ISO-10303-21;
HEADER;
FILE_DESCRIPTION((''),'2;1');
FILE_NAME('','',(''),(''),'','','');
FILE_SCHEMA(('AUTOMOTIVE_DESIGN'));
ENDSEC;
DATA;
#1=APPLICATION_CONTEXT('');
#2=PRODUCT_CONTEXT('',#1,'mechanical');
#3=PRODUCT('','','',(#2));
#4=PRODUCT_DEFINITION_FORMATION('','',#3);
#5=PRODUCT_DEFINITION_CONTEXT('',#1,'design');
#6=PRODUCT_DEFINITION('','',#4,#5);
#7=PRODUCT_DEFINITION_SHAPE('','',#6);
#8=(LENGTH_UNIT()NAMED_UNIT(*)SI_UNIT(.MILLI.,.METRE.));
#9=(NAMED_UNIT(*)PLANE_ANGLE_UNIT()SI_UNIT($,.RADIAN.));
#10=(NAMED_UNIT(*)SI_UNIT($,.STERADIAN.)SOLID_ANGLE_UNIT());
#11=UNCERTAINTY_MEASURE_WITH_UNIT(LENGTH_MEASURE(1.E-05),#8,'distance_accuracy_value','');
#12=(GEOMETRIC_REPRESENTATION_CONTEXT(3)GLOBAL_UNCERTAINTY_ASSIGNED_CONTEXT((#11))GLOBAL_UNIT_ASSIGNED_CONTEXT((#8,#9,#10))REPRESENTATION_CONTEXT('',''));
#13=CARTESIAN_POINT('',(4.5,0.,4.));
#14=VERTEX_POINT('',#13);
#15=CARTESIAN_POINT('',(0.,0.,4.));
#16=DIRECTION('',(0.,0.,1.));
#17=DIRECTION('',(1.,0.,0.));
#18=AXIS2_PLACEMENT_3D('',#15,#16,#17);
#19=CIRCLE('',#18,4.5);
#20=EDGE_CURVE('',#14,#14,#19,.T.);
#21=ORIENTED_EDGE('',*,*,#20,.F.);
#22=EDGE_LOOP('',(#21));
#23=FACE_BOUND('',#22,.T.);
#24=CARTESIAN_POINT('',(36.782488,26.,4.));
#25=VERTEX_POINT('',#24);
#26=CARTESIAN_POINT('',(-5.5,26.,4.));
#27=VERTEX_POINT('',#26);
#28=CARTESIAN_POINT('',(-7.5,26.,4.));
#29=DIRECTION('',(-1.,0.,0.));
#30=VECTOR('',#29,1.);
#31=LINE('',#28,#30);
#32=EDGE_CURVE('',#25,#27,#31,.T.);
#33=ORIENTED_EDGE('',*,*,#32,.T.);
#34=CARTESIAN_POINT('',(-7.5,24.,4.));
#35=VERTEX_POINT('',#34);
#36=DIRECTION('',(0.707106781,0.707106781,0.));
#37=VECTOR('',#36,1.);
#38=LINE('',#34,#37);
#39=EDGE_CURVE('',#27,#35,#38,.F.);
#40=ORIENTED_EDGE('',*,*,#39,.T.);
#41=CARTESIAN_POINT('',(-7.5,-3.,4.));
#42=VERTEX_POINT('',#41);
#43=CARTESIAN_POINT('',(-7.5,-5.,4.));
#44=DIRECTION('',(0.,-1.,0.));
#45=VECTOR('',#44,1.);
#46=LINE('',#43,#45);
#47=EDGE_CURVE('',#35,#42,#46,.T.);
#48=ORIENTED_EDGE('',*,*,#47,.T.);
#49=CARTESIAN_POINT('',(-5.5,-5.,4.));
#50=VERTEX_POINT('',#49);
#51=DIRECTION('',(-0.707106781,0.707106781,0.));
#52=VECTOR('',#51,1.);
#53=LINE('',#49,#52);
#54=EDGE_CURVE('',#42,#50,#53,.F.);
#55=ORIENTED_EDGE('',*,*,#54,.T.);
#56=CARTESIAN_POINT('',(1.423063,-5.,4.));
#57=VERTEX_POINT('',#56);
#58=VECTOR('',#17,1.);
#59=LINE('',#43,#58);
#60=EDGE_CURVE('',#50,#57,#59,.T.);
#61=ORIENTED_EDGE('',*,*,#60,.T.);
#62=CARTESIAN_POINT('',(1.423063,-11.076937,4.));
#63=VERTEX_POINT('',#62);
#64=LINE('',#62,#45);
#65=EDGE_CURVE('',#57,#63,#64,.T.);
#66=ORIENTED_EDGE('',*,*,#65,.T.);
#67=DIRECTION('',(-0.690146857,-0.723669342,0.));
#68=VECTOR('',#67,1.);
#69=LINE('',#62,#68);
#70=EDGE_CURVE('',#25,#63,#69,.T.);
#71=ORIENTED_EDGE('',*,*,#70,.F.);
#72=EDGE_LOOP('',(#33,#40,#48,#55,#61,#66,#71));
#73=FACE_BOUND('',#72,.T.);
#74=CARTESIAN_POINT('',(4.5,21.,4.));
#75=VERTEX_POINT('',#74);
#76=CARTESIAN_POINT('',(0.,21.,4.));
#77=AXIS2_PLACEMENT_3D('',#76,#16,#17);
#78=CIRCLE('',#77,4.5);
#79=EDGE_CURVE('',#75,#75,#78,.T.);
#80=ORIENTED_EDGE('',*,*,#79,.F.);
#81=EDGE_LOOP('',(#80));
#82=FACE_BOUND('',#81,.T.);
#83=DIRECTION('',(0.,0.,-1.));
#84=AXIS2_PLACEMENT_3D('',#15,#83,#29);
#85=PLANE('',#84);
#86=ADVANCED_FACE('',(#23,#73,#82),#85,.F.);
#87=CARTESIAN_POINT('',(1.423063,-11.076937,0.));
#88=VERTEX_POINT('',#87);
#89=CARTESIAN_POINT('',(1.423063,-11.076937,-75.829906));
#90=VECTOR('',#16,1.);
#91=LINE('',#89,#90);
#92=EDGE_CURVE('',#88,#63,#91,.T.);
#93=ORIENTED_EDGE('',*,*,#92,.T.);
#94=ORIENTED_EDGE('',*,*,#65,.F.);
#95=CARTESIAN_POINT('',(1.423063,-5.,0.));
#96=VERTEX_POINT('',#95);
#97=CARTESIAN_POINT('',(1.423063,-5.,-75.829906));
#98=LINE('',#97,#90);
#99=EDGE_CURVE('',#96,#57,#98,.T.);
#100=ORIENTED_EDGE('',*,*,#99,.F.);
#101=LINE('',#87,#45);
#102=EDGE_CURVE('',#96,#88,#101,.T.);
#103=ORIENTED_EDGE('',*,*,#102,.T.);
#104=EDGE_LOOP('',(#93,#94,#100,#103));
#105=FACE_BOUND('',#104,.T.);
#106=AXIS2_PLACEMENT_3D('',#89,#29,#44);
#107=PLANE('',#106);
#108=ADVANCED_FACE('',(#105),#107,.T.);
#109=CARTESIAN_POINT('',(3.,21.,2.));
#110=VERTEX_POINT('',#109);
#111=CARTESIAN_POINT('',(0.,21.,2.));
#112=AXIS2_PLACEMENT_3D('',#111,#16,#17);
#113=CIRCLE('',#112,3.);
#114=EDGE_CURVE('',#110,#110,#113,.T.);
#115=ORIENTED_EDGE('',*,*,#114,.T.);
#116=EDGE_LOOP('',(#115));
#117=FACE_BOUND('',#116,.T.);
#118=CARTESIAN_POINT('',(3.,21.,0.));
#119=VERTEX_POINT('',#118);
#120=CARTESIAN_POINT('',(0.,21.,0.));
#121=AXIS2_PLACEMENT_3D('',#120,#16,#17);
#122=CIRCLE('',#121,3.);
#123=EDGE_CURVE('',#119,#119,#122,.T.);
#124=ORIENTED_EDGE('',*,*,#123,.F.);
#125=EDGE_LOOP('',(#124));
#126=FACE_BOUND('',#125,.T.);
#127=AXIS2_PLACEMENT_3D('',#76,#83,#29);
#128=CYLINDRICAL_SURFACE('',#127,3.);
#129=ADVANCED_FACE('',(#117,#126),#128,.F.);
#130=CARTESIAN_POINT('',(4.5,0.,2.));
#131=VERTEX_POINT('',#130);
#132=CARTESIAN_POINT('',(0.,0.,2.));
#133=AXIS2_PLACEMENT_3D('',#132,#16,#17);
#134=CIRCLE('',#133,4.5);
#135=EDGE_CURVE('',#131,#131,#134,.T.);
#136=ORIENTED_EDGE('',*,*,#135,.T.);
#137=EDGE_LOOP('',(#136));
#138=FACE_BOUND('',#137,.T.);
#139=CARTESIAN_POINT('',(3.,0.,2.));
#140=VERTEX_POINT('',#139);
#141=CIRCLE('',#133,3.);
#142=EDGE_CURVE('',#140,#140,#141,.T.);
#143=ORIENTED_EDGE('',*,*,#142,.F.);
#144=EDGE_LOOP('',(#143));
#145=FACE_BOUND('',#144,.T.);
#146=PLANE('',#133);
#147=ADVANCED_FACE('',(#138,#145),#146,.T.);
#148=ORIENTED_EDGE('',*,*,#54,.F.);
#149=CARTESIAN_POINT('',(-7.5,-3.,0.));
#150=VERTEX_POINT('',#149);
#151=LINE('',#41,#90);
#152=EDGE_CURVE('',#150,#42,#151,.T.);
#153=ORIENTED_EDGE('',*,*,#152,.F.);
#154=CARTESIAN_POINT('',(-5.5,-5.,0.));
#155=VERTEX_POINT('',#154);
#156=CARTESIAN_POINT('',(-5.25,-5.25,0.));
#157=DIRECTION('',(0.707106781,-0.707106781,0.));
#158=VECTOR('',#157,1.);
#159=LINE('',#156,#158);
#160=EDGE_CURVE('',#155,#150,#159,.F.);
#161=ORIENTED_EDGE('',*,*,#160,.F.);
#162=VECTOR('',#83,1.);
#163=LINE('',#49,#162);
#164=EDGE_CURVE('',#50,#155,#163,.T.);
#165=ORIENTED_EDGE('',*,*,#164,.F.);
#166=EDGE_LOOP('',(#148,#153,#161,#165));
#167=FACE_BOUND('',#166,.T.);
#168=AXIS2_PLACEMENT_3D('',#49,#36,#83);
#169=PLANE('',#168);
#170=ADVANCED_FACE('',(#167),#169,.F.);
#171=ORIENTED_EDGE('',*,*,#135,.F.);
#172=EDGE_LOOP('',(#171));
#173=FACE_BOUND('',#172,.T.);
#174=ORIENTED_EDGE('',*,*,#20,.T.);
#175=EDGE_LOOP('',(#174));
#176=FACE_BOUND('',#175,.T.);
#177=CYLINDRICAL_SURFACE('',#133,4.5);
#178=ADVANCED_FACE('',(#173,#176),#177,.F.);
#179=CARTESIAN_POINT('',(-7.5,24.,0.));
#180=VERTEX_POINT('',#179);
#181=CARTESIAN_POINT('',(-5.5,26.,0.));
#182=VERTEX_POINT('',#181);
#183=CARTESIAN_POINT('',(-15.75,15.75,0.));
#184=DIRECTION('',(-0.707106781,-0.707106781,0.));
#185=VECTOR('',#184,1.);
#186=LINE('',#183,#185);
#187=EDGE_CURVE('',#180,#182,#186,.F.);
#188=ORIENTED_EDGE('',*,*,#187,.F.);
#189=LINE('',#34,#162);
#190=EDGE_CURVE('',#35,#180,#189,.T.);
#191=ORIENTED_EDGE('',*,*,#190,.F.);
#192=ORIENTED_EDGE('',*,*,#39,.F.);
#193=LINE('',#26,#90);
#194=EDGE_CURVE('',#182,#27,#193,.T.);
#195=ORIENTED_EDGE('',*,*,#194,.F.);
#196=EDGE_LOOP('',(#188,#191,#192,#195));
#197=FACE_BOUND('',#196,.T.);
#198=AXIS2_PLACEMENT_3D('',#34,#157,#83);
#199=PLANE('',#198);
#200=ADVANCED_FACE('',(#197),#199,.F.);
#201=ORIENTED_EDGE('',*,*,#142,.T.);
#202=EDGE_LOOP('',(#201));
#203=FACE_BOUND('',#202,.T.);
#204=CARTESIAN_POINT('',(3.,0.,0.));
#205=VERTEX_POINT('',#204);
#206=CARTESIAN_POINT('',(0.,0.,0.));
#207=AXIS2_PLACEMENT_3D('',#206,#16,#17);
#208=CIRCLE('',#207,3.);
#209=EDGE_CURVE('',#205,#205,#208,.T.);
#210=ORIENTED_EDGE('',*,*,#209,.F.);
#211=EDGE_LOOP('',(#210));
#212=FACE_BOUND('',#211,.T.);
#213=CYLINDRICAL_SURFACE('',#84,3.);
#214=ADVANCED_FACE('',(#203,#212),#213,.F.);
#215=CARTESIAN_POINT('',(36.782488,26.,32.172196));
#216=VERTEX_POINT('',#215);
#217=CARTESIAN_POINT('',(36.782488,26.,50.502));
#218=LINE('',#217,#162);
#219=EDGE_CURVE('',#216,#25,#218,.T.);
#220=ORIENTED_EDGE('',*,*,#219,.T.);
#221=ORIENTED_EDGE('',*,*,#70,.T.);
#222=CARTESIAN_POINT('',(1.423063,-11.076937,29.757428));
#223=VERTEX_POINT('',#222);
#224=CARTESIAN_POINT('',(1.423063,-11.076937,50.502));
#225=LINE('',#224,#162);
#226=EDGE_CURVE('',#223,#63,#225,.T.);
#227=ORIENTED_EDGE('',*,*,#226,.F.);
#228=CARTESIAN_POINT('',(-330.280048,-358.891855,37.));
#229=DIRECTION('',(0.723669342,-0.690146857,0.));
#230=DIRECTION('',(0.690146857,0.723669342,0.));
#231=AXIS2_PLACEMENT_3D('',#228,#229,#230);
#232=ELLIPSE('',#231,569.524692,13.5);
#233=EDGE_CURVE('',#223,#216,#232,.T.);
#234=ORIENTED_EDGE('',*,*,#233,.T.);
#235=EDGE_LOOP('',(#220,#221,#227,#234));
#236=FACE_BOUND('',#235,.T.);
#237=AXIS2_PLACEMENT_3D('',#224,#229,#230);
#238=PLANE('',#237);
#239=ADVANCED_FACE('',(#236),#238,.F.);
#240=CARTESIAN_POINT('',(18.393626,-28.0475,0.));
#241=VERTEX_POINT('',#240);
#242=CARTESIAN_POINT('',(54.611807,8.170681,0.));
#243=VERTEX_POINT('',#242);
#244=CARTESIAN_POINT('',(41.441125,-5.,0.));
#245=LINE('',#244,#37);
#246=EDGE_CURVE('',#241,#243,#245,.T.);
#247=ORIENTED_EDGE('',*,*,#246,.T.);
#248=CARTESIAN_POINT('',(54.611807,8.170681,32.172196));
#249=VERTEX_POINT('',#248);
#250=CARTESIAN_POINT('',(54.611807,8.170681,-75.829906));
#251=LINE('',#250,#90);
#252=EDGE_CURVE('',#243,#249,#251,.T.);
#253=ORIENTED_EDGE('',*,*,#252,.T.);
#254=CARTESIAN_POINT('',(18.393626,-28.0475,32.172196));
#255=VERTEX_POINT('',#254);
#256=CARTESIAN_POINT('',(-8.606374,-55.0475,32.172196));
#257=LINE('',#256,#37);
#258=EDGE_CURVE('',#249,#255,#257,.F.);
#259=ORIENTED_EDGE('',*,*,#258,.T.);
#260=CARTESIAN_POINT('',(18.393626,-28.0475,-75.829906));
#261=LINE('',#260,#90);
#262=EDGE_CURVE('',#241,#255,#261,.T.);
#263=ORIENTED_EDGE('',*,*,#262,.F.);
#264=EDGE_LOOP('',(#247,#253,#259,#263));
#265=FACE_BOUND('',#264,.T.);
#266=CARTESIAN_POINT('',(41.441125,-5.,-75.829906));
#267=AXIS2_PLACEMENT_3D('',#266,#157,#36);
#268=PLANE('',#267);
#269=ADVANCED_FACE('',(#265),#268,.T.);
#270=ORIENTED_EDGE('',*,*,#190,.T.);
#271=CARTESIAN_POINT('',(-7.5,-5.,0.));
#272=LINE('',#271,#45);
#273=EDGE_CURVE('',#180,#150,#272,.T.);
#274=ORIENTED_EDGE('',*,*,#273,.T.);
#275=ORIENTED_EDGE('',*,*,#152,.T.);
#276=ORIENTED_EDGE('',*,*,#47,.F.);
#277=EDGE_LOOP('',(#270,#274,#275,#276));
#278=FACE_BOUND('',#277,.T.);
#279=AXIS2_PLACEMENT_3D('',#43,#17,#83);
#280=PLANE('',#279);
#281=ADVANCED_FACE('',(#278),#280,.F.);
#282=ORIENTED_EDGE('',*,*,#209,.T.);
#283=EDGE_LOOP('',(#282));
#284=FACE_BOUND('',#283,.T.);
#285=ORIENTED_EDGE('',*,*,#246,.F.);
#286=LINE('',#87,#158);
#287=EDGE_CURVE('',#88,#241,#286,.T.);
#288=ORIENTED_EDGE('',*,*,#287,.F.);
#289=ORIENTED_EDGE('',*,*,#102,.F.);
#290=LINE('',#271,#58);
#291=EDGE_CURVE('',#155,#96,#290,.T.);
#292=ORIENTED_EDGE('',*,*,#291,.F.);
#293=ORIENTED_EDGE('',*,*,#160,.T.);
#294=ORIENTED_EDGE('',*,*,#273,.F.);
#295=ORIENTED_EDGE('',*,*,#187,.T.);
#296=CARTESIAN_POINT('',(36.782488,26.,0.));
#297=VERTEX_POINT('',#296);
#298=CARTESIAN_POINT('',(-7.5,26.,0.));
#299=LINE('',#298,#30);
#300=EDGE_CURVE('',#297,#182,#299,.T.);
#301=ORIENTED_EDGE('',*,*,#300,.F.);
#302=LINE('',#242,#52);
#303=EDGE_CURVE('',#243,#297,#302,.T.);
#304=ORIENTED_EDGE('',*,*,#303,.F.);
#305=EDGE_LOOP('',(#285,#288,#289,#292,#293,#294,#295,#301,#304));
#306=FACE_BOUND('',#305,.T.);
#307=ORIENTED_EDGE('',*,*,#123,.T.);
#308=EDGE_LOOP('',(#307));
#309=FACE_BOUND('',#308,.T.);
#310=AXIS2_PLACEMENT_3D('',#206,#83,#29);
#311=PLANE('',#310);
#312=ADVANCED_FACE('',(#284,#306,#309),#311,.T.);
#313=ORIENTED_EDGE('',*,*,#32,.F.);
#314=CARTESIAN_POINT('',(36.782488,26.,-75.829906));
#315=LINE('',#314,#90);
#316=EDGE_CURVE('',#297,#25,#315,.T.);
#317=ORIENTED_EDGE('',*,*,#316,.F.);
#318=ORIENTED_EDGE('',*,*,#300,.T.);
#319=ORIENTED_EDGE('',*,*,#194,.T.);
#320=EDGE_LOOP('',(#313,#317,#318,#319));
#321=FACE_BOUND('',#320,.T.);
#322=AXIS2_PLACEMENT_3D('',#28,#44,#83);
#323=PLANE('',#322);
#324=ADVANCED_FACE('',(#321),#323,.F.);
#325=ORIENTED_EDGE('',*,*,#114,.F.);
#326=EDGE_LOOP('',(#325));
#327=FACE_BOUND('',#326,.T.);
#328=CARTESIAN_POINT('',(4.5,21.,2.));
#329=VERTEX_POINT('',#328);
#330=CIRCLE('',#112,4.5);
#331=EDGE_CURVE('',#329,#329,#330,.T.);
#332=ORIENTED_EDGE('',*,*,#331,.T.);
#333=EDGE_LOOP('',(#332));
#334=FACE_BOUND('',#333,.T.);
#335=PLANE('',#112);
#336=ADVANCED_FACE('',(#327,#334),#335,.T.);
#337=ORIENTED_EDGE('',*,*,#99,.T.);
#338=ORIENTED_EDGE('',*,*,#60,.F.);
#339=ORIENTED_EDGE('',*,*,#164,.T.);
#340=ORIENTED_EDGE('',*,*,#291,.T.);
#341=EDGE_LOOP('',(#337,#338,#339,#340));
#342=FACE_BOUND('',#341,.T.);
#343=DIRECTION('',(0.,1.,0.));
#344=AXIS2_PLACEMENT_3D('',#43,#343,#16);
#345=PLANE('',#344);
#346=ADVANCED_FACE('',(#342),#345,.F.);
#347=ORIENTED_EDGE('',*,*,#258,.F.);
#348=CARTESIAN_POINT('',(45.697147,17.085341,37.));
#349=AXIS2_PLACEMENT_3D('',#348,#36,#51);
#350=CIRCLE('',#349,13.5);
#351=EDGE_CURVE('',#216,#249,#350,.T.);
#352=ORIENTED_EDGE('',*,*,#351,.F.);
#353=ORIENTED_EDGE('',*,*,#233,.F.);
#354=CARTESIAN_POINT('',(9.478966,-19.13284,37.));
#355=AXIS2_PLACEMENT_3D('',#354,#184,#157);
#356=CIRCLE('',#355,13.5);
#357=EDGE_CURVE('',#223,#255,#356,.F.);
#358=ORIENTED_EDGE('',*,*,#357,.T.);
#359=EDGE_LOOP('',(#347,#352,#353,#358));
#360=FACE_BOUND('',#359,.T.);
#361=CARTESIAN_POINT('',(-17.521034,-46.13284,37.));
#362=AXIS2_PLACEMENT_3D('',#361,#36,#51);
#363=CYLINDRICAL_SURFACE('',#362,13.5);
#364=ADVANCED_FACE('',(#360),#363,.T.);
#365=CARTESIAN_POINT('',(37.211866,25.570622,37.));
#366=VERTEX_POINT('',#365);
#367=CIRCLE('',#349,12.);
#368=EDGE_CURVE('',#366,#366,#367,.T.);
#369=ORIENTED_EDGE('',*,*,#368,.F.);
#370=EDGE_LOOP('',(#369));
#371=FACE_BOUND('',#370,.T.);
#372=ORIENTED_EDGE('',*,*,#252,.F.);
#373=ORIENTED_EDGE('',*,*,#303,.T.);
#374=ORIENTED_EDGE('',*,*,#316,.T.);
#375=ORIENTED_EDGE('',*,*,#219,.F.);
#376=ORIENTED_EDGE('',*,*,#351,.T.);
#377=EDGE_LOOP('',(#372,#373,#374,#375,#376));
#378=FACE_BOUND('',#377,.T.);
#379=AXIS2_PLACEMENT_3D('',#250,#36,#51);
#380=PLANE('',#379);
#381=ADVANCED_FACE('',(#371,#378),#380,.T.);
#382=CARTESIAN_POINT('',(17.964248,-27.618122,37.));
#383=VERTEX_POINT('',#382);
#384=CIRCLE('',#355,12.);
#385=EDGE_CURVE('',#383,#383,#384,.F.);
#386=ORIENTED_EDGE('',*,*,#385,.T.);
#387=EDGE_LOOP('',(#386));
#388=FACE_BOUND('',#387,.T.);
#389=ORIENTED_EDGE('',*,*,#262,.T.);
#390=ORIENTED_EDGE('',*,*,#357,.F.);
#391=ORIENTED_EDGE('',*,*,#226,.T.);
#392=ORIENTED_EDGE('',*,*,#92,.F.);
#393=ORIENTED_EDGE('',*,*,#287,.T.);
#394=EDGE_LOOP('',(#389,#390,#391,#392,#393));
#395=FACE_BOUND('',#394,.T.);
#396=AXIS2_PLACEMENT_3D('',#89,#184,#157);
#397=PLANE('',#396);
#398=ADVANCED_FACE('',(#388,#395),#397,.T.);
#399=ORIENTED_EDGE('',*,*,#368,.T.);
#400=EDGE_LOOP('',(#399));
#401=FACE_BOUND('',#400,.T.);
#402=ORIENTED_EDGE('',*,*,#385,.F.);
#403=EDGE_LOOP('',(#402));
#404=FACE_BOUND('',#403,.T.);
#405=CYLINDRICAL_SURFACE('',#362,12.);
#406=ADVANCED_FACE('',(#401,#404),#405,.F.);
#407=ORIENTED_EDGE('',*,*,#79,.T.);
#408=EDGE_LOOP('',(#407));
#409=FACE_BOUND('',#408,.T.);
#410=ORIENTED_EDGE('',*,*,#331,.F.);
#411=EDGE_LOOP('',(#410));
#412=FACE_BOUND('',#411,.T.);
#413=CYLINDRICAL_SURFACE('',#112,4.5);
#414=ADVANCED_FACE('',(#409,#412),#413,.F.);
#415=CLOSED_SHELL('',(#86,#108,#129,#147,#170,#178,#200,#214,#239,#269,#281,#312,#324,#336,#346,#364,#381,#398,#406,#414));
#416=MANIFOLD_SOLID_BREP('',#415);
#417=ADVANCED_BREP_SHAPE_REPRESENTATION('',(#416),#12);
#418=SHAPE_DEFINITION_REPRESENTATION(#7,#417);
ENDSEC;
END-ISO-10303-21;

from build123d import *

# Parameters (mm, degrees)
SKETCH1_W                = 15
SKETCH1_H                = 31
SKETCH1_R                = 3
BOSS_EXTRUDE1_DEPTH      = 4
SKETCH2_R                = 4.5
CUT_EXTRUDE1_DEPTH       = 2
CHAMFER1_SIZE            = 2
BOSS_EXTRUDE3_DEPTH      = 4
SKETCH4_R                = 13.5
SKETCH4_R_2              = 12
BOSS_EXTRUDE4_DEPTH      = 51.220242393
BOSS_EXTRUDE5_REACH      = 79.695
BOSS_EXTRUDE5_END_RADIUS = 13.5


with BuildPart() as part:
    # Sketch1 → Boss-Extrude1 (new body)
    with BuildSketch(Plane.XY):
        with Locations((0, 10.5)):
            Rectangle(SKETCH1_W, SKETCH1_H)
        Circle(SKETCH1_R, mode=Mode.SUBTRACT)
        with Locations((0, 21)):
            Circle(SKETCH1_R, mode=Mode.SUBTRACT)
    extrude(amount=BOSS_EXTRUDE1_DEPTH)

    # Sketch2 → Cut-Extrude1 (cut)
    with BuildSketch(Plane.XY.offset(4)):
        with Locations((0, 21)):
            Circle(SKETCH2_R)
        Circle(SKETCH2_R)
    extrude(amount=-CUT_EXTRUDE1_DEPTH, mode=Mode.SUBTRACT)

    # Chamfer1
    chamfer1_edges = [part.edges().sort_by_distance(p)[0] for p in [
        (-7.5, -5, 2),
        (-7.5, 26, 2),
    ]]
    chamfer(chamfer1_edges, length=CHAMFER1_SIZE)

    # Sketch3 → Boss-Extrude3 (add)
    with BuildSketch(Plane.XY.offset(4)):
        Polygon((1.423063068, -5), (7.5, -5), (7.5, 26), (36.782487596, 26), (54.611806547, 8.17068105), (41.441125497, -5), (18.393625817, -28.04749968), (1.423063068, -11.076936932), align=None)
    extrude(amount=-BOSS_EXTRUDE3_DEPTH)



with BuildPart() as body_2:
    # Sketch4 → Boss-Extrude4 (new body)
    with BuildSketch(Plane(origin=(31.391243798, 31.391243798, 0), x_dir=(0, 0, -1), z_dir=(0.7071067811865465, 0.7071067811865487, 0))):
        with Locations(Location((-37, -20.231602431, 0), (0, 0, 90))):
            Circle(SKETCH4_R)
        with Locations(Location((-37, -20.231602431, 0), (0, 0, 90))):
            Circle(SKETCH4_R_2, mode=Mode.SUBTRACT)
    extrude(amount=-BOSS_EXTRUDE4_DEPTH)


with BuildPart() as part_1:
    add(part.part)

    add(body_2.part)  # Boss-Extrude5 merges body 2
    # Boss-Extrude5: up to this cylinder (the profile starts outside it)
    boss_extrude5_end = Plane(origin=(27.737015773, -0.874790773, 37), z_dir=(0.7071067811865465, 0.7071067811865487, 0)) * Cylinder(BOSS_EXTRUDE5_END_RADIUS, 187.39, mode=Mode.PRIVATE)
    # Sketch5 → Boss-Extrude5 (add, up to the surface)
    with BuildSketch(Plane.XY.offset(4), mode=Mode.PRIVATE) as boss_extrude5_sk1:
        Polygon((1.423063068, -11.076936932), (36.782487596, 26), (54.611806547, 8.17068105), (18.393625817, -28.04749968), align=None)
    boss_extrude5_tool1 = extrude(boss_extrude5_sk1.sketch, amount=BOSS_EXTRUDE5_REACH, mode=Mode.PRIVATE) - boss_extrude5_end
    add(boss_extrude5_tool1.solids().sort_by_distance((27.949939, -1.087714, 4))[0])


solid = part_1.part
